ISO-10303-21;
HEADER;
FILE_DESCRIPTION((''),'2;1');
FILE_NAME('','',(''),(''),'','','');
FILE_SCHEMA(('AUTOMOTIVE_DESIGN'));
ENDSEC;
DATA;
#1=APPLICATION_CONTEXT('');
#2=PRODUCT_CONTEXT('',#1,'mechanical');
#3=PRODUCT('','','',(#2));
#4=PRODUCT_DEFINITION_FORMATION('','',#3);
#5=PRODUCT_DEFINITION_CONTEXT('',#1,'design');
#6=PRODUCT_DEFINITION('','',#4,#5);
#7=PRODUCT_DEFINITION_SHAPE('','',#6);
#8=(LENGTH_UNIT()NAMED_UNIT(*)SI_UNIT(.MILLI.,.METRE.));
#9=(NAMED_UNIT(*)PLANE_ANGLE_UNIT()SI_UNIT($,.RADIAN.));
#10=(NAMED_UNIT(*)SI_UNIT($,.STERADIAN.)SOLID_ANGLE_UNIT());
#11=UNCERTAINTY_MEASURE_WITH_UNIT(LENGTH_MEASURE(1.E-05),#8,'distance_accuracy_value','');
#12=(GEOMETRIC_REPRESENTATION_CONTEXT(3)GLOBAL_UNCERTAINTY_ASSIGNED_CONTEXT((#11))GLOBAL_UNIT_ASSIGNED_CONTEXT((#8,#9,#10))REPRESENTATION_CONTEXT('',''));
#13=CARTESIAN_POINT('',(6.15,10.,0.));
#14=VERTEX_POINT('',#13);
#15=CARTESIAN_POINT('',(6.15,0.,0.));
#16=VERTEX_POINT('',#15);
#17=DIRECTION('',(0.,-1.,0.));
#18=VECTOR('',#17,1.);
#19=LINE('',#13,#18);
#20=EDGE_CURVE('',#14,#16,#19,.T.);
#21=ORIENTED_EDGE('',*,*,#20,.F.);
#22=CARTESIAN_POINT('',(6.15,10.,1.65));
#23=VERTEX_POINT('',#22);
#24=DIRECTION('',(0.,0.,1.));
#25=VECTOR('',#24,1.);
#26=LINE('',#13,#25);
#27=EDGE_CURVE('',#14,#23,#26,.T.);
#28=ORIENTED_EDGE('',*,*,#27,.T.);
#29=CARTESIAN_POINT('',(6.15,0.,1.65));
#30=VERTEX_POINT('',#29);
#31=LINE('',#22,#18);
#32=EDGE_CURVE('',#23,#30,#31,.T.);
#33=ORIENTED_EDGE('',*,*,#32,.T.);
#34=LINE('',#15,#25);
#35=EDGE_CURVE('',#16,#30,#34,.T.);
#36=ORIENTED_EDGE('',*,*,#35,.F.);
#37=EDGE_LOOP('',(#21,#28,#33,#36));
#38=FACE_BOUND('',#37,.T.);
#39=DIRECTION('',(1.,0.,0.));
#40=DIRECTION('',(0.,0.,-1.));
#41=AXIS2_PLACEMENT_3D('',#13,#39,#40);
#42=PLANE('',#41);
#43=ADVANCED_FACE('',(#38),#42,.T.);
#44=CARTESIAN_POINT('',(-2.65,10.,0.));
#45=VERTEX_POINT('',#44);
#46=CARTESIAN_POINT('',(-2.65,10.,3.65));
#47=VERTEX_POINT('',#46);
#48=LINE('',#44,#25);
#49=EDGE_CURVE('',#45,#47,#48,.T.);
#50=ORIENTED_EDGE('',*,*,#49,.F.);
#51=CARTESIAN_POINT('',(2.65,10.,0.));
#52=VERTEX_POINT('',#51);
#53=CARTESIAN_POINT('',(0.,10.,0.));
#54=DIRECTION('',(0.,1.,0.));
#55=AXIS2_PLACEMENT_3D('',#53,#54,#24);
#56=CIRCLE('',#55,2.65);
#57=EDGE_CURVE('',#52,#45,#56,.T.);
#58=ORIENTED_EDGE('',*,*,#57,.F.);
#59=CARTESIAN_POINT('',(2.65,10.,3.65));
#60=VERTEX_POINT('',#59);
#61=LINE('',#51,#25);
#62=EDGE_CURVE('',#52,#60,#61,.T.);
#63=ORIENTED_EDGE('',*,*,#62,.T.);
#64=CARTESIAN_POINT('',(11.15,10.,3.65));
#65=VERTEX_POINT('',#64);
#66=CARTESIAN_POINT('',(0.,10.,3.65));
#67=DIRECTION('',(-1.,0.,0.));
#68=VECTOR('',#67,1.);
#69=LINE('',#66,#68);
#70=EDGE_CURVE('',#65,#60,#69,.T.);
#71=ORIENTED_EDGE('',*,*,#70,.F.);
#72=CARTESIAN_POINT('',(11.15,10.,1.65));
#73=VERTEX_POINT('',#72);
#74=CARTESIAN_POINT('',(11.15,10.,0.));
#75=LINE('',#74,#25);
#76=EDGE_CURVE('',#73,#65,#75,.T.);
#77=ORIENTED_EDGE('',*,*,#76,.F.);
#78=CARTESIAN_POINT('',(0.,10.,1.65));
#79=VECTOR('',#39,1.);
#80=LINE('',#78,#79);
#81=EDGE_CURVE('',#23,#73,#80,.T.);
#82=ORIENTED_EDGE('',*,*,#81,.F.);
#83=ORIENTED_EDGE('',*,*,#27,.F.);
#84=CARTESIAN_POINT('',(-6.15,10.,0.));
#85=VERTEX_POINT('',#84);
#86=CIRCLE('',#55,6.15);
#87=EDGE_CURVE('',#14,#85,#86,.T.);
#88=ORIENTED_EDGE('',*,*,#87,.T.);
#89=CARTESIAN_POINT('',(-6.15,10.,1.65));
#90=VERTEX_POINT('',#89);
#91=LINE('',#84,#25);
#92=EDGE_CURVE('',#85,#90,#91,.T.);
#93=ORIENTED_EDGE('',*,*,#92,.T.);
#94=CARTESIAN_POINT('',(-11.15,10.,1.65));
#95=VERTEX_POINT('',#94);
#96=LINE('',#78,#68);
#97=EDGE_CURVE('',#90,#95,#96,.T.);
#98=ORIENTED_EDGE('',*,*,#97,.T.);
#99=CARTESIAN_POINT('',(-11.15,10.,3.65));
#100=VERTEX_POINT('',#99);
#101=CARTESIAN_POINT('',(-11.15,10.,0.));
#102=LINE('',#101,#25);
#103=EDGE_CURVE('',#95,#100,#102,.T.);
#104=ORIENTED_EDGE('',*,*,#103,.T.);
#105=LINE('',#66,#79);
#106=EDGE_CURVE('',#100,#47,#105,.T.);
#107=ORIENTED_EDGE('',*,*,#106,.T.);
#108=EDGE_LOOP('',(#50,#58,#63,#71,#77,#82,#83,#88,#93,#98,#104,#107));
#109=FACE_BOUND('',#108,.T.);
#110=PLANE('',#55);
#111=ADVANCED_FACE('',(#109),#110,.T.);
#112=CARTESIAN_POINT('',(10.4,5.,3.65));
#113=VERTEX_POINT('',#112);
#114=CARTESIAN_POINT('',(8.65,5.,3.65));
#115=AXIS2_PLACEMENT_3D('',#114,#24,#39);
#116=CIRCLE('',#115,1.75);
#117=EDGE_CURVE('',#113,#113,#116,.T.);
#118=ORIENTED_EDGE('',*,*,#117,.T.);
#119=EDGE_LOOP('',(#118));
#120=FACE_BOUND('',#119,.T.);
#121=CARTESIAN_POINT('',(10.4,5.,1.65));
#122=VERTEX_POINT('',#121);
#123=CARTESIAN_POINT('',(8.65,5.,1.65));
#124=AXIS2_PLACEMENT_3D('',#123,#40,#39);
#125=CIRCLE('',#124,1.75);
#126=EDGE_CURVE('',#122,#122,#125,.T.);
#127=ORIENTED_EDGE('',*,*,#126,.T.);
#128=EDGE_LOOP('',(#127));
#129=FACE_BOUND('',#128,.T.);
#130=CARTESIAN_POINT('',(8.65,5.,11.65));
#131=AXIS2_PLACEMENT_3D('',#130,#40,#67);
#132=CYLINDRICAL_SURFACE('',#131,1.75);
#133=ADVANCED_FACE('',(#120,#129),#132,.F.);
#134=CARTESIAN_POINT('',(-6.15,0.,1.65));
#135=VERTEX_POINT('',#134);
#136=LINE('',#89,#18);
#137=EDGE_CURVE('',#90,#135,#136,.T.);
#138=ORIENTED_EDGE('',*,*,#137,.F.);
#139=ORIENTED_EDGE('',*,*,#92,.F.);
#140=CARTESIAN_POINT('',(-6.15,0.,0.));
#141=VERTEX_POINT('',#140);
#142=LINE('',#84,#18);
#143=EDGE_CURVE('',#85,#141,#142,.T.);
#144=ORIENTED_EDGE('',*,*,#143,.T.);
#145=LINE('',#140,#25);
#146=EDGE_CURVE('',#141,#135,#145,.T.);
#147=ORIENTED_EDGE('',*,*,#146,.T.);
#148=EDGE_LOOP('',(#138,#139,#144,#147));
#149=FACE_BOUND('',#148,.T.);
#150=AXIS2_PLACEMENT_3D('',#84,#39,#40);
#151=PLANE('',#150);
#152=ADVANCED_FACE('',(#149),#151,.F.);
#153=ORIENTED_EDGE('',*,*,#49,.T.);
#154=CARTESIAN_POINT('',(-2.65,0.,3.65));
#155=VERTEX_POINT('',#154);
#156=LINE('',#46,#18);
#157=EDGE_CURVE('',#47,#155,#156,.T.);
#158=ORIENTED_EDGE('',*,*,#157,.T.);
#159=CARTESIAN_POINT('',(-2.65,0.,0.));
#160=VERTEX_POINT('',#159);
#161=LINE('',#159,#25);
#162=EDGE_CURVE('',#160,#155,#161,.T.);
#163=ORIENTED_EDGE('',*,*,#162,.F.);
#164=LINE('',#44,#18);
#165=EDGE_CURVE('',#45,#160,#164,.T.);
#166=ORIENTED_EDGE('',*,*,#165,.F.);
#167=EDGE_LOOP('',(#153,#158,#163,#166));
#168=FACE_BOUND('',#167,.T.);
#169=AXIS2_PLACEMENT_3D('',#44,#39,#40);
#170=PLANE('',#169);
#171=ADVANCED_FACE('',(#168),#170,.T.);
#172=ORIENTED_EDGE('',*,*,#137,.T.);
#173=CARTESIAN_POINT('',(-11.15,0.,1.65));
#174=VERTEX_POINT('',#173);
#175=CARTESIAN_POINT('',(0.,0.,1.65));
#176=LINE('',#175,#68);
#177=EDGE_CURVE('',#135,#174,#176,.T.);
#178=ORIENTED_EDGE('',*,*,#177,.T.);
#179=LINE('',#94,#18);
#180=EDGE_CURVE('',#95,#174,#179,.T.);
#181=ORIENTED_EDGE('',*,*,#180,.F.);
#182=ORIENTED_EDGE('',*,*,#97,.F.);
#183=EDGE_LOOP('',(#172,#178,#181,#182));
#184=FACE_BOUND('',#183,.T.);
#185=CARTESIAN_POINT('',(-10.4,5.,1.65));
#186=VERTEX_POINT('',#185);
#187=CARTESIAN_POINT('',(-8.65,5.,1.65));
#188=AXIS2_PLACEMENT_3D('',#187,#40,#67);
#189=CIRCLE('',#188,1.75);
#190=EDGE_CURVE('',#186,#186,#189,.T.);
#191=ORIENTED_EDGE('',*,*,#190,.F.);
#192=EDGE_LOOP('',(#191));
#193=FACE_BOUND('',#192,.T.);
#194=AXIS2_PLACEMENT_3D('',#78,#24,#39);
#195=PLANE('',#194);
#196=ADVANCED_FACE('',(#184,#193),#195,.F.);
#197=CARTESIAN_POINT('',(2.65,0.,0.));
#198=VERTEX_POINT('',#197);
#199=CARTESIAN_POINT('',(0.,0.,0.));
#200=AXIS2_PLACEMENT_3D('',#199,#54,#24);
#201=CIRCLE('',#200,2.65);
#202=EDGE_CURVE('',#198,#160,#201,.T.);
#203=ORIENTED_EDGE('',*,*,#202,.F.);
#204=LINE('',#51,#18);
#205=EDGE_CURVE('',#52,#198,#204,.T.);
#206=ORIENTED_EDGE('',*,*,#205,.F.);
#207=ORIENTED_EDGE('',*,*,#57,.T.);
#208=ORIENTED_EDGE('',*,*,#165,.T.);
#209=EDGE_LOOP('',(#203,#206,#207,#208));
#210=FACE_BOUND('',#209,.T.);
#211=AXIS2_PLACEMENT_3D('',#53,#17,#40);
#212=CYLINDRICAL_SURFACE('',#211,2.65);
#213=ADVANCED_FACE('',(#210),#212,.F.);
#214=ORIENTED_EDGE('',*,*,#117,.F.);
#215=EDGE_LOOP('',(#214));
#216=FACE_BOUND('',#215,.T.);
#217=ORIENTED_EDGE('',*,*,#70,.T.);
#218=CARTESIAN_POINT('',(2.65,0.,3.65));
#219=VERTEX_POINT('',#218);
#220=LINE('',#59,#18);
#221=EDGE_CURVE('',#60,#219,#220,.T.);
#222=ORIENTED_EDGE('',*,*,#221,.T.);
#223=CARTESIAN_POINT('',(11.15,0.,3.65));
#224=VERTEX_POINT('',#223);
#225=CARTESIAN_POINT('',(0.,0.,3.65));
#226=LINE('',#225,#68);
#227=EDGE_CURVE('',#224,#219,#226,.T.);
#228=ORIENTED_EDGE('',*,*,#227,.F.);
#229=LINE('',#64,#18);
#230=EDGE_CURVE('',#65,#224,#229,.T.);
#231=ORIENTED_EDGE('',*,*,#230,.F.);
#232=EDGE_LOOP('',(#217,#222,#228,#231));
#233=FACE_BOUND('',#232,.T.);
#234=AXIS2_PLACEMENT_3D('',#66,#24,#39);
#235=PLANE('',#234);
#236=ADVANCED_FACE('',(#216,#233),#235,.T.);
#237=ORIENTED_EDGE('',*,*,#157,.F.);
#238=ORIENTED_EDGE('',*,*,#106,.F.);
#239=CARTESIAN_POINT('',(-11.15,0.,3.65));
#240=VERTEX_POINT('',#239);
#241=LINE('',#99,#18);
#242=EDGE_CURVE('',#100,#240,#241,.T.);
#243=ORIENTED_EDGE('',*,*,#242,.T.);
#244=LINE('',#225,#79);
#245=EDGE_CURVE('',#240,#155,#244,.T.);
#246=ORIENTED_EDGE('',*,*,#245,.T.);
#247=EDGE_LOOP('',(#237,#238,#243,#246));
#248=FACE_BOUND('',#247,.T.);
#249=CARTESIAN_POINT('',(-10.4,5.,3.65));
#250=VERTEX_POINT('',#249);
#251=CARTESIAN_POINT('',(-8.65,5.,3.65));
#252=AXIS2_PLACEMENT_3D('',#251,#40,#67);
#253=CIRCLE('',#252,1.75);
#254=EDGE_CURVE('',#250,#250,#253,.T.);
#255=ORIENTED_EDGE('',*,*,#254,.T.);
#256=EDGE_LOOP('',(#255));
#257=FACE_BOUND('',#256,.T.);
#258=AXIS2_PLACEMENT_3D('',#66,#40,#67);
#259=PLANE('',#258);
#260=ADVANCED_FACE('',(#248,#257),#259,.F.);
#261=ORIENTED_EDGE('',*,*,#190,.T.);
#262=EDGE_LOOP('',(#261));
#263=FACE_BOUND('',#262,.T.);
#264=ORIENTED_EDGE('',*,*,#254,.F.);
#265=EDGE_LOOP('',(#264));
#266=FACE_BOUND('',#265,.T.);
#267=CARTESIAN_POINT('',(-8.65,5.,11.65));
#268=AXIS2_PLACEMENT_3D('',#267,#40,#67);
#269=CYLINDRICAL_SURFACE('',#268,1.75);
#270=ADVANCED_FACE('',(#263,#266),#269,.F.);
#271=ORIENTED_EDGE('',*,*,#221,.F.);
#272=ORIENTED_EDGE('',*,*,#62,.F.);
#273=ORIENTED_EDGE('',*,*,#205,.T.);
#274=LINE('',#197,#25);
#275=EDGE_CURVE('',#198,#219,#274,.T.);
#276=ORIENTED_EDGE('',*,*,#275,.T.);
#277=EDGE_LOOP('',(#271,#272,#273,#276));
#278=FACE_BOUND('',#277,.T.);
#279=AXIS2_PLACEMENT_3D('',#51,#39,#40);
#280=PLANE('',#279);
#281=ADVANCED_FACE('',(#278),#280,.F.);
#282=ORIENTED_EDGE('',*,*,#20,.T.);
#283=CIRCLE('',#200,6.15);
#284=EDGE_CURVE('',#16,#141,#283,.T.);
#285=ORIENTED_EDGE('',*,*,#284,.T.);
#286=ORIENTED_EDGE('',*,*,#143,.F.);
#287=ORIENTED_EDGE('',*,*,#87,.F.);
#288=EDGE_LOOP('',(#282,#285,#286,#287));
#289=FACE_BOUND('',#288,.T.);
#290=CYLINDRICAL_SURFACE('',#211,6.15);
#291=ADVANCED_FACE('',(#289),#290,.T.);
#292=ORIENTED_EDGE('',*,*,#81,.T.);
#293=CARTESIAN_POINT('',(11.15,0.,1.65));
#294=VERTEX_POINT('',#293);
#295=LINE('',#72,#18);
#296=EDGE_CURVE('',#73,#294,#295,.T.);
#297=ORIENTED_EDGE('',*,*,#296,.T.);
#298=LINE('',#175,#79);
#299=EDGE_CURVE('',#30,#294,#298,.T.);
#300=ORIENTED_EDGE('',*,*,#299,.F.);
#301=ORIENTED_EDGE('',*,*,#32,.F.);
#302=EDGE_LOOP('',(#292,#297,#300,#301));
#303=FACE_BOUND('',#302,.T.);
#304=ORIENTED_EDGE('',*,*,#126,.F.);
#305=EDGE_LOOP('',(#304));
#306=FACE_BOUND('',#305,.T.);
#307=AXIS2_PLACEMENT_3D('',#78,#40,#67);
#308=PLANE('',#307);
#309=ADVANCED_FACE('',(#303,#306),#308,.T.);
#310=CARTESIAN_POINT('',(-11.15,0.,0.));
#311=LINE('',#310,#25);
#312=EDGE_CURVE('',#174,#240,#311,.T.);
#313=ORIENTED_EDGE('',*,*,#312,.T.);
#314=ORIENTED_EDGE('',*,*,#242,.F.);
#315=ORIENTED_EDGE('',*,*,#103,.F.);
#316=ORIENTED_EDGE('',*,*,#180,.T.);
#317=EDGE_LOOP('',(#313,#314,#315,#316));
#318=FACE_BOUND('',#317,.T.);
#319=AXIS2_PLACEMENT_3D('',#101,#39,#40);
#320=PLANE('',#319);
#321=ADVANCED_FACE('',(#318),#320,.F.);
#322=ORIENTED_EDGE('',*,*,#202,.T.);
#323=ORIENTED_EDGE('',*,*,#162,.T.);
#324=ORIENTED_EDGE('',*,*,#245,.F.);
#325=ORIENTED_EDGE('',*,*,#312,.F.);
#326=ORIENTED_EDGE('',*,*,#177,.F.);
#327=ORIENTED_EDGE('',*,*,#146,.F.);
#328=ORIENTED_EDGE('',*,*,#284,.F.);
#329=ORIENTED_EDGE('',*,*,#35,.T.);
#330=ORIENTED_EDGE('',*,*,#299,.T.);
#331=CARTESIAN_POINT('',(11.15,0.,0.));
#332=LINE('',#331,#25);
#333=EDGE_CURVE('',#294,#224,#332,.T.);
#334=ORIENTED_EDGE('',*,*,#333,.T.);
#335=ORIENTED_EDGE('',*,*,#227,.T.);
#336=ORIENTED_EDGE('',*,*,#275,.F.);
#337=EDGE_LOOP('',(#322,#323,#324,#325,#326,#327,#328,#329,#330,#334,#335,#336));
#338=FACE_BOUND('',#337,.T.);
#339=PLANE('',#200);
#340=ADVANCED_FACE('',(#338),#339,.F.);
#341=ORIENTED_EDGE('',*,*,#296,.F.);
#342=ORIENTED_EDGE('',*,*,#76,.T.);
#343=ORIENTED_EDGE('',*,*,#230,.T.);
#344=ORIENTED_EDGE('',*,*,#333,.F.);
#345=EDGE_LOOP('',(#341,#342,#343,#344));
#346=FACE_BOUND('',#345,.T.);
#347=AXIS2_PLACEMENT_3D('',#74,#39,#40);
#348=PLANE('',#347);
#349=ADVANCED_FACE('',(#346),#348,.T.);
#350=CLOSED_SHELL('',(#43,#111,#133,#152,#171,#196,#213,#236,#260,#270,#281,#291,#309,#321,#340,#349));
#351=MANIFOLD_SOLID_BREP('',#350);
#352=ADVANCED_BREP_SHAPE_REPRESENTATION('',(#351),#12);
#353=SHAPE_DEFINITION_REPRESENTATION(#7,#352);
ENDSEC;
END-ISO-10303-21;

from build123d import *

# Parameters (mm, degrees)
EXTRUDE_1_DEPTH     = 10
SKETCH_2_R          = 1.75
CUT_EXTRUDE_1_DEPTH = 10


with BuildPart() as part:
    # 草图1 → 凸台-拉伸1 (new body)
    with BuildSketch(Plane(origin=(0, 0, 0), x_dir=(1, 0, 0), z_dir=(0, 1, 0))):
        with BuildLine():
            Line((6.15, 0), (6.15, -1.65))
            Line((6.15, -1.65), (11.15, -1.65))
            Line((11.15, -1.65), (11.15, -3.65))
            Line((11.15, -3.65), (6.15, -3.65))
            Line((6.15, -3.65), (2.65, -3.65))
            Line((2.65, -3.65), (2.65, -2.65))
            Line((2.65, -2.65), (2.65, 0))
            ThreePointArc((2.65, 0), (0, 2.65), (-2.65, 0))
            Line((-2.65, 0), (-2.65, -2.65))
            Line((-2.65, -2.65), (-2.65, -3.65))
            Line((-2.65, -3.65), (-6.15, -3.65))
            Line((-6.15, -3.65), (-11.15, -3.65))
            Line((-11.15, -3.65), (-11.15, -1.65))
            Line((-11.15, -1.65), (-6.15, -1.65))
            Line((-6.15, -1.65), (-6.15, 0))
            ThreePointArc((-6.15, 0), (0, 6.15), (6.15, 0))
        make_face()
    extrude(amount=EXTRUDE_1_DEPTH)

    # 草图2 → 切除-拉伸1 (cut)
    with BuildSketch(Plane(origin=(0, 0, 1.65), x_dir=(-1, 0, 0), z_dir=(0, 0, -1))):
        with Locations((8.65, 5)):
            Circle(SKETCH_2_R)
        with Locations(Location((-8.65, 5, 0), (0, 0, 180))):
            Circle(SKETCH_2_R)
    extrude(amount=-CUT_EXTRUDE_1_DEPTH, mode=Mode.SUBTRACT)


solid = part.part
